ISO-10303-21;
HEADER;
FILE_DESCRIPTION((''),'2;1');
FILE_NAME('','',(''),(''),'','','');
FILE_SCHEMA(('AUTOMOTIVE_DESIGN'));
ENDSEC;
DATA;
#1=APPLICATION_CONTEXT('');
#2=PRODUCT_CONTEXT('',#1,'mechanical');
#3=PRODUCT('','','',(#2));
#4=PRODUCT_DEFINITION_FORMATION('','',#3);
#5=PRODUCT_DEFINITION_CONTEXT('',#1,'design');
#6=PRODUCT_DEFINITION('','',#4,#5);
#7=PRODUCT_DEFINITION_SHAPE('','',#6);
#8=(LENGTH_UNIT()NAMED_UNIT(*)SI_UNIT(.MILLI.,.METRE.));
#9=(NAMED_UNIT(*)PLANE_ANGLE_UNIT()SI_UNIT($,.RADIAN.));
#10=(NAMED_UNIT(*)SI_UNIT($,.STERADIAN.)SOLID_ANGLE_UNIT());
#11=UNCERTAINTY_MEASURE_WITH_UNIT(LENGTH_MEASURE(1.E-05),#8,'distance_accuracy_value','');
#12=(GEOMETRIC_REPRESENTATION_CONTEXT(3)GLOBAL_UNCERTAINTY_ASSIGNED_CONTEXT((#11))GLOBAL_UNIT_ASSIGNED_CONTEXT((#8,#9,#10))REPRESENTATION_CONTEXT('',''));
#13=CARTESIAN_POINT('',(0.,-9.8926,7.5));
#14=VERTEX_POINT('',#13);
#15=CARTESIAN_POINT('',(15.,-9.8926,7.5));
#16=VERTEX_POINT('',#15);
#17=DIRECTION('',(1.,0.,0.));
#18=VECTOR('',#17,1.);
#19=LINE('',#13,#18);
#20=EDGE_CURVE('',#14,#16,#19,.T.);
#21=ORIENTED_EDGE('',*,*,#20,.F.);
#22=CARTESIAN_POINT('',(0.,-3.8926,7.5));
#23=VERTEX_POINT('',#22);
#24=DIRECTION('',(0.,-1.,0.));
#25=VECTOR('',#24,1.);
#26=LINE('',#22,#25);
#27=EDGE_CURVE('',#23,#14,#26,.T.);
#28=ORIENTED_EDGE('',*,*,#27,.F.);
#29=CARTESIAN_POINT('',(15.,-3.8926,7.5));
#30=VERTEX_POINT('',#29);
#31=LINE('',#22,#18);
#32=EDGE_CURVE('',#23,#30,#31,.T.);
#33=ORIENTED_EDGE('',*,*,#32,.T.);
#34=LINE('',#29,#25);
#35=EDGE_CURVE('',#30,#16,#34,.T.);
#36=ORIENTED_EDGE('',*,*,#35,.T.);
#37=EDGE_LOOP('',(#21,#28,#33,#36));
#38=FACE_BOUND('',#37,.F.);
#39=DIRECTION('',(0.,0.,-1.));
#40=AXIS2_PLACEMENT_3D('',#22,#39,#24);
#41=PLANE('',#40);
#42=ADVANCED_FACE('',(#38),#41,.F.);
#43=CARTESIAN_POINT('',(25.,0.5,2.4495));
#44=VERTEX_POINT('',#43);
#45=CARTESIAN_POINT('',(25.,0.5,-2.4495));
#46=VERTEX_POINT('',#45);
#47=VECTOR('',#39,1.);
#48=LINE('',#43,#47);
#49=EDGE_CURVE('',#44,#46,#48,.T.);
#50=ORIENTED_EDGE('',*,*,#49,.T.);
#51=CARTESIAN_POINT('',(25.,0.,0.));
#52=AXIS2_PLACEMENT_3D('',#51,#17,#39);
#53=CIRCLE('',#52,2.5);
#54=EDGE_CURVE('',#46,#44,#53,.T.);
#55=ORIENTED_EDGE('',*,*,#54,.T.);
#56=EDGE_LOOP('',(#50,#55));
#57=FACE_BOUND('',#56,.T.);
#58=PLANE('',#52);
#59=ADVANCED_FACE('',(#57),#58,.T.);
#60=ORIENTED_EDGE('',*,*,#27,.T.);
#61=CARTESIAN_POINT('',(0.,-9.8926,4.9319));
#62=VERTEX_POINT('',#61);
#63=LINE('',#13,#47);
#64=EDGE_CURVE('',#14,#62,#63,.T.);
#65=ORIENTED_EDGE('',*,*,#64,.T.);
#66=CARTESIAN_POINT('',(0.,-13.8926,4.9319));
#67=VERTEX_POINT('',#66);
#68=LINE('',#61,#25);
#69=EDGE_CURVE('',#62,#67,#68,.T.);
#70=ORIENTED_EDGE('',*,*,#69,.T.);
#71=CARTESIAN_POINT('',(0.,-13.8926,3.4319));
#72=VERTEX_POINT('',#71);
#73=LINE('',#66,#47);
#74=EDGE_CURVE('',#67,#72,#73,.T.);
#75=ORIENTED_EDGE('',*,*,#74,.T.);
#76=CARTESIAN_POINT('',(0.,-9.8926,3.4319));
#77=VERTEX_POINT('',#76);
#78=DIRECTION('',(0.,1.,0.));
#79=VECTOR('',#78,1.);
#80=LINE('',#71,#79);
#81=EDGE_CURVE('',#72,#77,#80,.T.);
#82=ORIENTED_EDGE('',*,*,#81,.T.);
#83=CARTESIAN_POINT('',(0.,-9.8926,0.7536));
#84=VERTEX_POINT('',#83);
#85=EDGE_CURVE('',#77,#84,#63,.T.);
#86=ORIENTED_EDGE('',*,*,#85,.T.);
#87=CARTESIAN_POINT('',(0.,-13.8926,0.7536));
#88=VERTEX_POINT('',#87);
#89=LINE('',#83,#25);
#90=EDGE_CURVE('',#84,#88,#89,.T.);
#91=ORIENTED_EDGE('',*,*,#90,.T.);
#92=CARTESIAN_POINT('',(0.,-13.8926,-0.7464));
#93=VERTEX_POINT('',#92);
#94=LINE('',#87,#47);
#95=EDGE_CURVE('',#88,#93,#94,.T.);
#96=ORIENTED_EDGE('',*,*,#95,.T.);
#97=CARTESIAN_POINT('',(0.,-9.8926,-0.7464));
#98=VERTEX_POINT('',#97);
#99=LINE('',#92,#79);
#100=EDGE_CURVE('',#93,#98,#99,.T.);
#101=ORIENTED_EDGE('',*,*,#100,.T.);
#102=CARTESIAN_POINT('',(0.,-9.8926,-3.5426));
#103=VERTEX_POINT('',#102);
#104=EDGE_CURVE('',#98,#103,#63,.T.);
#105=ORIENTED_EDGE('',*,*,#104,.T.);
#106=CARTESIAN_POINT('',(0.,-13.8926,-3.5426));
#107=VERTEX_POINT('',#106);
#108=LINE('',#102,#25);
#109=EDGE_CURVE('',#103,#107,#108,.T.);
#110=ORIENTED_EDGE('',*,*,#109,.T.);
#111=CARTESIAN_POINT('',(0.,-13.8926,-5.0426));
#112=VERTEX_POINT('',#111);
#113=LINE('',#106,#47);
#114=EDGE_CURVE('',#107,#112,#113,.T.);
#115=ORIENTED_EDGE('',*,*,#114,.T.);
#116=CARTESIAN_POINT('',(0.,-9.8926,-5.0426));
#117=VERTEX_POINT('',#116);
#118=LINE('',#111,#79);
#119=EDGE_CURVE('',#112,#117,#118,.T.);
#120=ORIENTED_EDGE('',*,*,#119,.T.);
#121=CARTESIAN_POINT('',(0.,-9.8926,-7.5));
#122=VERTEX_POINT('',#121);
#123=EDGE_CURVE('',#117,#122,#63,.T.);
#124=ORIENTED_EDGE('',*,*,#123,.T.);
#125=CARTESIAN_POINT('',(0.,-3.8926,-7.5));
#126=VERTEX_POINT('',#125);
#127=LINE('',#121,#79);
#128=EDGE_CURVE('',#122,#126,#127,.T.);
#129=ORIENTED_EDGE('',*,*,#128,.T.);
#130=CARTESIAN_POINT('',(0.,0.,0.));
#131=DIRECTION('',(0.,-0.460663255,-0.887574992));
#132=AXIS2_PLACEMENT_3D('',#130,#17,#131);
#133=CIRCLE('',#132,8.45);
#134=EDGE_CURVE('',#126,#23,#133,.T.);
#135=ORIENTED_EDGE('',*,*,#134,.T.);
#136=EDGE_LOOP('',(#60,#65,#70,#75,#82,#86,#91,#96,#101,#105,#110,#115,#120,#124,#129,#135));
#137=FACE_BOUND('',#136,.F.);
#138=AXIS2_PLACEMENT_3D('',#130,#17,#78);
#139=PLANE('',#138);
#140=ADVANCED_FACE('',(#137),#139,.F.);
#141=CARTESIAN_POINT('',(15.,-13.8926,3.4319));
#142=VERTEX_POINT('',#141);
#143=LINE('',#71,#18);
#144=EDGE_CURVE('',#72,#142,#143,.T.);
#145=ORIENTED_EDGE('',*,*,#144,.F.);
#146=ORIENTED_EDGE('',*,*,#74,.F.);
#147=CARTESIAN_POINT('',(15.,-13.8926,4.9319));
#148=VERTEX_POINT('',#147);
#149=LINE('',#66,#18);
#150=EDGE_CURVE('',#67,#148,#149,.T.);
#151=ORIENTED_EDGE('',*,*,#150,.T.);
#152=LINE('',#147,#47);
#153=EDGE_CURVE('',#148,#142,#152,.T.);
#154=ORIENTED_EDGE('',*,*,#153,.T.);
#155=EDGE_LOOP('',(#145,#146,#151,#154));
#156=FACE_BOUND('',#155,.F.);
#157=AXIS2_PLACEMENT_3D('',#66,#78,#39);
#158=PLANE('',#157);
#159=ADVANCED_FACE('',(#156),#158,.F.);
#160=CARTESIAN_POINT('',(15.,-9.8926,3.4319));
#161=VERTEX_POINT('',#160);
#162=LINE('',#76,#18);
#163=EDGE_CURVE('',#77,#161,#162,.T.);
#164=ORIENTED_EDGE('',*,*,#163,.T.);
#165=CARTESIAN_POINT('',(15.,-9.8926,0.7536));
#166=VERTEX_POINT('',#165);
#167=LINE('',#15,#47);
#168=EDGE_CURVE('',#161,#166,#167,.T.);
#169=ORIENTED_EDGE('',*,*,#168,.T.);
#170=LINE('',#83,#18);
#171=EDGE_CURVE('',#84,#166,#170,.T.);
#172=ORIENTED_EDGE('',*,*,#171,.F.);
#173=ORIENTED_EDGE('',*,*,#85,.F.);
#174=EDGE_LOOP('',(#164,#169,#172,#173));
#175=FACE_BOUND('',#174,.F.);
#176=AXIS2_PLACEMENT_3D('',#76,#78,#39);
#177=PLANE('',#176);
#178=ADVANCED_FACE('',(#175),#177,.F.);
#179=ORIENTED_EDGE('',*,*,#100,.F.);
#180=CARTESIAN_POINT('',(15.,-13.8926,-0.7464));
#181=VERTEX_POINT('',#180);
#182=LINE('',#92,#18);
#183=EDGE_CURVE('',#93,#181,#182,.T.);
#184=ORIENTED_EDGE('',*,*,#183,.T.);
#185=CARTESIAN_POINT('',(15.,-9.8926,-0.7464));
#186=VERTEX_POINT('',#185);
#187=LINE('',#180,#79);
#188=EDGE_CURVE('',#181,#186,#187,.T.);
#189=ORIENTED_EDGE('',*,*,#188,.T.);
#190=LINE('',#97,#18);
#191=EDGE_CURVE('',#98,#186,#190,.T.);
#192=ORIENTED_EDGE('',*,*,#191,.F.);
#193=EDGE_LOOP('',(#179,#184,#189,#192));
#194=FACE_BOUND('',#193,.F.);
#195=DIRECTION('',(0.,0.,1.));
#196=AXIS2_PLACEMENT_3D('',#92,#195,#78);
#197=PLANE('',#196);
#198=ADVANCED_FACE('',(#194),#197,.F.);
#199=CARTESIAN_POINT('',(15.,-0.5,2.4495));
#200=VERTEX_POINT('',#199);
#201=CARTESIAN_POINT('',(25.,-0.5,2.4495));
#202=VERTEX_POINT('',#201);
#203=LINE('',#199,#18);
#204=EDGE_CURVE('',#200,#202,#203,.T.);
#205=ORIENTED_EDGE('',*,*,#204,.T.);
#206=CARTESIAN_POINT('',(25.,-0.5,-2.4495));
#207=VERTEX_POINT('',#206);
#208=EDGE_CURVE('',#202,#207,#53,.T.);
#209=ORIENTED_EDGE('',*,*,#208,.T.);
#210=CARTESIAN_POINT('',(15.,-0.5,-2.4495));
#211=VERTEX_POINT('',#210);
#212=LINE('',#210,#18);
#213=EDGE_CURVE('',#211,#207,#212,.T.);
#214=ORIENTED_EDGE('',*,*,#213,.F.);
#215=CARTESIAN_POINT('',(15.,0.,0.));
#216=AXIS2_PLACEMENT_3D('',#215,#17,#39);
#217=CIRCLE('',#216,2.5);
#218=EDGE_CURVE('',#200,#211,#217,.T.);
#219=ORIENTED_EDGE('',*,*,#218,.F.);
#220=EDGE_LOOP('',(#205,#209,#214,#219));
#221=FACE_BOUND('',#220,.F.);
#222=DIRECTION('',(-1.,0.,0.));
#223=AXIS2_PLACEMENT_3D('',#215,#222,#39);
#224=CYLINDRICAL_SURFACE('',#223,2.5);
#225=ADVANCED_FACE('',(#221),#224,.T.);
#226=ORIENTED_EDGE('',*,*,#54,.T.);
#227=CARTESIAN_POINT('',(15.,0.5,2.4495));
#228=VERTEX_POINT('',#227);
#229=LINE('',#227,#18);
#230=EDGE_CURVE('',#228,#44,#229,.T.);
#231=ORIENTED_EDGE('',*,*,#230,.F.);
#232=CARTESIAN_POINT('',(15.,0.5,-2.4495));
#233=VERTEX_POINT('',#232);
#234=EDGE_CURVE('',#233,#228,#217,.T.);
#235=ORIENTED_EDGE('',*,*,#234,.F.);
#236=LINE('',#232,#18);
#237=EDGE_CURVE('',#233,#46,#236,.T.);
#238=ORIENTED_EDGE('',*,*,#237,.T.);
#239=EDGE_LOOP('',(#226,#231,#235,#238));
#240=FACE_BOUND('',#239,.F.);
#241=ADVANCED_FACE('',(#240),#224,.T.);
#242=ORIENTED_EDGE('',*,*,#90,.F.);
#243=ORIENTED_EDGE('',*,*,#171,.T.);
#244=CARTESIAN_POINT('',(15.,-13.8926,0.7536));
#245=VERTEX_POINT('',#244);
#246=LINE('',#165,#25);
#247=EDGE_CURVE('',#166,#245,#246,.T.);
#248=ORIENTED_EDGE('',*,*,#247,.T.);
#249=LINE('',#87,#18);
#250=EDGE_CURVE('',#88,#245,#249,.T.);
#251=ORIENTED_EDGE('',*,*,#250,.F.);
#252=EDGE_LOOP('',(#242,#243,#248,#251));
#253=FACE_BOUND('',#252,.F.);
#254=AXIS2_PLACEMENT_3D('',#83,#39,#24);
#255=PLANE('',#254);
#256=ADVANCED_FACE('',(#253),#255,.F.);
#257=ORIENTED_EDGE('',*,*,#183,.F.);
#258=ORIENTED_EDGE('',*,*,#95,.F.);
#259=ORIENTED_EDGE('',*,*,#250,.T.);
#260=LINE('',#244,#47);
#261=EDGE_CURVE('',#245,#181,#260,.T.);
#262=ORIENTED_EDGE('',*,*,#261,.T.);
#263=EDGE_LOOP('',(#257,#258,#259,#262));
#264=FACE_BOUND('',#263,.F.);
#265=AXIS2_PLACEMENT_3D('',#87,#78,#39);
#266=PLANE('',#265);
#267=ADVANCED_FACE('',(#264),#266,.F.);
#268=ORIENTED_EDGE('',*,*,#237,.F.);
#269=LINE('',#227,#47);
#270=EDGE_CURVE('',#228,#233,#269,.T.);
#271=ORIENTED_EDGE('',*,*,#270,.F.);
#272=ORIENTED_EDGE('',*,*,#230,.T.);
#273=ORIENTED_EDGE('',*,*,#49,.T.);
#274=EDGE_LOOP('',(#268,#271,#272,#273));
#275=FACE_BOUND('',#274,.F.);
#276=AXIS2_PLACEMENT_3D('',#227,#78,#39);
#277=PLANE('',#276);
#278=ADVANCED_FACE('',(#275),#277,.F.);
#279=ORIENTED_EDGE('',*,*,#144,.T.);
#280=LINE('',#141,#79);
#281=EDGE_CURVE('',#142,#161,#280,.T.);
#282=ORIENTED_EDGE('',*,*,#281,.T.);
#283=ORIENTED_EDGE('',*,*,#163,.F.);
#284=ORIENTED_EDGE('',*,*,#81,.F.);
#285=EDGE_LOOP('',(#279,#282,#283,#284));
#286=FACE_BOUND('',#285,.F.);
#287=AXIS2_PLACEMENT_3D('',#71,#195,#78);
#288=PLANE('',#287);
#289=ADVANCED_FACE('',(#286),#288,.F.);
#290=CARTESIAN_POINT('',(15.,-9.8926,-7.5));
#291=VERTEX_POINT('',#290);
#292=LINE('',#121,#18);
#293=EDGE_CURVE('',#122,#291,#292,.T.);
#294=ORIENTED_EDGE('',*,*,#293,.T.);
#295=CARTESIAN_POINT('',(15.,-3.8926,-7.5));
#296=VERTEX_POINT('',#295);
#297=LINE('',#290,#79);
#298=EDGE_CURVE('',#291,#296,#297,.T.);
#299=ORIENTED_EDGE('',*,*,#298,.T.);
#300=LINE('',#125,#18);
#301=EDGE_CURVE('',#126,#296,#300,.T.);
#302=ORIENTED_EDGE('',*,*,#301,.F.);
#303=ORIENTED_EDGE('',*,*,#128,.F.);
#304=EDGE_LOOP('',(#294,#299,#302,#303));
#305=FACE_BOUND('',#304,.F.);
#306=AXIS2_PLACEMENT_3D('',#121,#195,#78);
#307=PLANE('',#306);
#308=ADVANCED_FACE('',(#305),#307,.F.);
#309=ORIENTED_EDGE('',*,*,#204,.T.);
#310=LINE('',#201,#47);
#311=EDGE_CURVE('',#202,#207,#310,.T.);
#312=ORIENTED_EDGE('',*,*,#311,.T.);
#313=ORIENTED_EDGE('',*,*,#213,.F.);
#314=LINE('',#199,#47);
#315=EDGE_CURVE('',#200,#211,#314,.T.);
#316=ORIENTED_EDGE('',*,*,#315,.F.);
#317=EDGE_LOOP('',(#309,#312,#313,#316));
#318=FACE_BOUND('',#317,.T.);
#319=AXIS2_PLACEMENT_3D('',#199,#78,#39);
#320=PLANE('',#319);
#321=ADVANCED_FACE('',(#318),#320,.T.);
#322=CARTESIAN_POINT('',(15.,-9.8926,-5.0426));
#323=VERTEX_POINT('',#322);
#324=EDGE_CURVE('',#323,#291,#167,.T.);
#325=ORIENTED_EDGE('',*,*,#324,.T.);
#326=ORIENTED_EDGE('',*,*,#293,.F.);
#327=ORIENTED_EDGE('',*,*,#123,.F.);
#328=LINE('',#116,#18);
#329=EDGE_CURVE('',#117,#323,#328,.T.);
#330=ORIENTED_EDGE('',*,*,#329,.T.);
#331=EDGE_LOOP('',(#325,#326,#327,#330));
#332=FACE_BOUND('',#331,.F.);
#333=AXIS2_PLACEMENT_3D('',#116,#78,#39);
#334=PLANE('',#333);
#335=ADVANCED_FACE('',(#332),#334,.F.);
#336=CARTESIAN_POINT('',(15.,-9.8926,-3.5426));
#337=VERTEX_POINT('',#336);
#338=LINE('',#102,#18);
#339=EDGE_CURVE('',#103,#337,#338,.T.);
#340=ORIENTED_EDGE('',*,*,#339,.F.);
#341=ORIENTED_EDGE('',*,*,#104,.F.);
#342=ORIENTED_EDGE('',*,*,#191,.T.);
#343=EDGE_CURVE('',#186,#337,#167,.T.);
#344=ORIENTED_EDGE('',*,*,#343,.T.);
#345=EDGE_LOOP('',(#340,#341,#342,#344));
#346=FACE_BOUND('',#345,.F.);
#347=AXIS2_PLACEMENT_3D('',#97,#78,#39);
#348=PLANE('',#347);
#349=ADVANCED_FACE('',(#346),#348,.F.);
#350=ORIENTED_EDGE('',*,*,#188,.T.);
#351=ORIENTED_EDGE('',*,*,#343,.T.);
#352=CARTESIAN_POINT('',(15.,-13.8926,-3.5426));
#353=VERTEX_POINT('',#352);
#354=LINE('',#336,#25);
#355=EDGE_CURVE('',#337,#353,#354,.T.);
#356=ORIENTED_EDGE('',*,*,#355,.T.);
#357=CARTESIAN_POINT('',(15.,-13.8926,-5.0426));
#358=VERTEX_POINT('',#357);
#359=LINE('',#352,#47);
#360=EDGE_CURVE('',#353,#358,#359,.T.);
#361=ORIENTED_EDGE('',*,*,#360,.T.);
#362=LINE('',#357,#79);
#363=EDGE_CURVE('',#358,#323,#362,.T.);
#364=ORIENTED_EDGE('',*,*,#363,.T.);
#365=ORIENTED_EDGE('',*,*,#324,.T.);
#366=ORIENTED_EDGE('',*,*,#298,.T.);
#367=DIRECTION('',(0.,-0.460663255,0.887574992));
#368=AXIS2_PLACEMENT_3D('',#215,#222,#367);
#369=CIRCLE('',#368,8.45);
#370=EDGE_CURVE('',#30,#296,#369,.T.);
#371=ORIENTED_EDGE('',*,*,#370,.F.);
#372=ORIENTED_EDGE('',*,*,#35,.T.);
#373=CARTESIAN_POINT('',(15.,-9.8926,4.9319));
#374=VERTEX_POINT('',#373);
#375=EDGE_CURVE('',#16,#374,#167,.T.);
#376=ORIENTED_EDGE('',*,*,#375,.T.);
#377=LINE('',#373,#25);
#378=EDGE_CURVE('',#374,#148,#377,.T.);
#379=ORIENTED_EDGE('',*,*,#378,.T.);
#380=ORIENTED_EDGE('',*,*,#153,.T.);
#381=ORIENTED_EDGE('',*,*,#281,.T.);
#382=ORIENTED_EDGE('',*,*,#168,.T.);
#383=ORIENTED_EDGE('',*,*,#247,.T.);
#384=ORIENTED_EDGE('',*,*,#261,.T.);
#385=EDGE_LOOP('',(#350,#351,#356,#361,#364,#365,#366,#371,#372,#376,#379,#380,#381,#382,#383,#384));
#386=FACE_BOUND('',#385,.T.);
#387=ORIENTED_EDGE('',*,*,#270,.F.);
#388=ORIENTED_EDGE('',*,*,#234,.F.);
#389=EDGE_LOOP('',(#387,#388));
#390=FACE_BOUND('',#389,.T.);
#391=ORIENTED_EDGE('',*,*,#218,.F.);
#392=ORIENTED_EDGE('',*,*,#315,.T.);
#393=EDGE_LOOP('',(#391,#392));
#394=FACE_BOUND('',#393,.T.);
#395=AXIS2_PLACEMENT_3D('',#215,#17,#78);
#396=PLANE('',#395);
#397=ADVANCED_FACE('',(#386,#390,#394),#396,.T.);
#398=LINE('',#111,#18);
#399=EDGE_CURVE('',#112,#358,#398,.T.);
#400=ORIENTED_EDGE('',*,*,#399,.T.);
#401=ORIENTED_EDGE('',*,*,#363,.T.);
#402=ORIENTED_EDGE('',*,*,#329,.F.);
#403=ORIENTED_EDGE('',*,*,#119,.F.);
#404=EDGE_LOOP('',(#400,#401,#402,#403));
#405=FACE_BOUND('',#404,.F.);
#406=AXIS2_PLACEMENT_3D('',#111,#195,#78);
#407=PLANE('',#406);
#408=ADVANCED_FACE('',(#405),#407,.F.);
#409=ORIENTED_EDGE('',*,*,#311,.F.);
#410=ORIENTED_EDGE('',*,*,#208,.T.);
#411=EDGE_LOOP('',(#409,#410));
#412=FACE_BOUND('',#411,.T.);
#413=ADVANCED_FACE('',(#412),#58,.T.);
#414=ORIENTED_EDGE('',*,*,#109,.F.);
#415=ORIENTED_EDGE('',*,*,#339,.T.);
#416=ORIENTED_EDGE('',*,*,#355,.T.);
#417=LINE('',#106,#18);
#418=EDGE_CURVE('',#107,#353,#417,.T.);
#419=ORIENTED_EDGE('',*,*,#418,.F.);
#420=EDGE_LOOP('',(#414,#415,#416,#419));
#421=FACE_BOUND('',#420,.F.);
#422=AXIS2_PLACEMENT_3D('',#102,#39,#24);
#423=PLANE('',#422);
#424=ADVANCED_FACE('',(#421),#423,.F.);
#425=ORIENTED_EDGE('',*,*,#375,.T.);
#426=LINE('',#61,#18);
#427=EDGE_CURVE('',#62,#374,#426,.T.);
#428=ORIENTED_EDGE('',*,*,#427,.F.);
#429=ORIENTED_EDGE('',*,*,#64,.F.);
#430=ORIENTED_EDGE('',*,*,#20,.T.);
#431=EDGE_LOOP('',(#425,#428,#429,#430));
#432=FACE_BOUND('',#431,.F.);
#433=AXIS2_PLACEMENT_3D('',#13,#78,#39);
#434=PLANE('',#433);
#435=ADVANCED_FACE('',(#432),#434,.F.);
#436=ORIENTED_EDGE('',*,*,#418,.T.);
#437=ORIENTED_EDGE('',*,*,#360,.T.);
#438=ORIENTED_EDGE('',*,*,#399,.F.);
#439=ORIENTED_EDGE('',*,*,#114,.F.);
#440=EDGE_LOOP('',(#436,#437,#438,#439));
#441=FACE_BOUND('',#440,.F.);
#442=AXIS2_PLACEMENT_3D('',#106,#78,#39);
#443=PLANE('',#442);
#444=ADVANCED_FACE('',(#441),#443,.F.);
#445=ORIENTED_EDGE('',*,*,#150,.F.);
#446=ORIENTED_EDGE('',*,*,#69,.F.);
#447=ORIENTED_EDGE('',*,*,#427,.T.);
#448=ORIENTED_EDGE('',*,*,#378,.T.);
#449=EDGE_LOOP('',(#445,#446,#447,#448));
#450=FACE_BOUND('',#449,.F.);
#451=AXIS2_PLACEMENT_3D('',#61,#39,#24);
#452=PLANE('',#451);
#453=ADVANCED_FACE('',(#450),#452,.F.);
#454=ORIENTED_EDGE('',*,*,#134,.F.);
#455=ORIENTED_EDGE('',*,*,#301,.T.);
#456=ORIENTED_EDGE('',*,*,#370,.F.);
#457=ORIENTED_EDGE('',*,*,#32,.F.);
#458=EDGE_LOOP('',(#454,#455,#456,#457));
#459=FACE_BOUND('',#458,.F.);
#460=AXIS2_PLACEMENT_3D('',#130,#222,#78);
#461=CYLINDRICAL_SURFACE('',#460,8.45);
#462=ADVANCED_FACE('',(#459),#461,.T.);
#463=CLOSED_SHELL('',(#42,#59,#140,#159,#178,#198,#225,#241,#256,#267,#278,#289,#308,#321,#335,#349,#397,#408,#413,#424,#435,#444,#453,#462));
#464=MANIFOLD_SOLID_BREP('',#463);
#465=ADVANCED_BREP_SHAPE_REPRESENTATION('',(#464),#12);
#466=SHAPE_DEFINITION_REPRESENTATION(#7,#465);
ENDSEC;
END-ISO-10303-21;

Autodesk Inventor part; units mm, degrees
ref_plane "YZ Plane" through (0, 0, 0) normal (1, 0, 0) x (0, 1, 0)
ref_plane "XZ Plane" through (0, 0, 0) normal (0, 1, 0) x (-1, 0, 0)
ref_plane "XY Plane" through (0, 0, 0) normal (0, 0, 1) x (1, 0, 0)
sketch "스케치1" plane through (0, 0, 0) normal (1, 0, 0) x (0, 1, 0)
  circle A0 centre (0, 0) radius 8.45
  dimension "d0" = 16.9
extrude "돌출1" add sketch "스케치1" along normal blind 15
sketch "스케치2" plane through (15, 0, 0) normal (1, 0, 0) x (0, 0, -1)
  circle A0 centre (0, 0) radius 2.5
  line L0 (-2.4495, 0.5) -> (2.4495, 0.5)
  line L1 (-2.4495, -0.5) -> (2.4495, -0.5)
  point P0 (0, 0.5)
  dimension "d3" = 5
  dimension "d4" = 1
  dimension "d5" = 0.5
extrude "돌출2" add sketch "스케치2" along normal blind 10 contours L0 A0 | A0 L1
sketch "스케치3" plane through (0, 0, 0) normal (-1, 0, 0) x (0, 0, 1)
  line L0 (-7.5, -3.8926) -> (7.5, -3.8926)
  line L1 (7.5, -3.8926) -> (7.5, -9.8926)
  line L2 (7.5, -9.8926) -> (-7.5, -9.8926)
  line L3 (-7.5, -9.8926) -> (-7.5, -3.8926)
  circle A0 centre (0, 0) radius 8.45 projected
  line L4 (-5.0426, -9.8926) -> (-3.5426, -9.8926)
  line L5 (-3.5426, -9.8926) -> (-3.5426, -13.8926)
  line L6 (-3.5426, -13.8926) -> (-5.0426, -13.8926)
  line L7 (-5.0426, -13.8926) -> (-5.0426, -9.8926)
  line L8 (-0.7464, -9.8926) -> (0.7536, -9.8926)
  line L9 (0.7536, -9.8926) -> (0.7536, -13.8926)
  line L10 (0.7536, -13.8926) -> (-0.7464, -13.8926)
  line L11 (-0.7464, -13.8926) -> (-0.7464, -9.8926)
  line L12 (3.4319, -9.8926) -> (4.9319, -9.8926)
  line L13 (4.9319, -9.8926) -> (4.9319, -13.8926)
  line L14 (4.9319, -13.8926) -> (3.4319, -13.8926)
  line L15 (3.4319, -13.8926) -> (3.4319, -9.8926)
  point P0 (0.7536, -9.8926)
  dimension "d8" = 6
  dimension "d9" = 15
  dimension "d10" = 4
  dimension "d11" = 4
  dimension "d12" = 1.5
  dimension "d13" = 1.5
  dimension "d14" = 1.5
extrude "돌출3" add sketch "스케치3" against normal blind 15 contours A0 L1 L2 L3 | L2 L5 L6 L7 | L13 L14 L15 L2 | L2 L9 L10 L11
equation "\"d11\" = d10"
equation "\"d13\" = d12"
equation "\"d14\" = d12"
properties part number "가변저항"
